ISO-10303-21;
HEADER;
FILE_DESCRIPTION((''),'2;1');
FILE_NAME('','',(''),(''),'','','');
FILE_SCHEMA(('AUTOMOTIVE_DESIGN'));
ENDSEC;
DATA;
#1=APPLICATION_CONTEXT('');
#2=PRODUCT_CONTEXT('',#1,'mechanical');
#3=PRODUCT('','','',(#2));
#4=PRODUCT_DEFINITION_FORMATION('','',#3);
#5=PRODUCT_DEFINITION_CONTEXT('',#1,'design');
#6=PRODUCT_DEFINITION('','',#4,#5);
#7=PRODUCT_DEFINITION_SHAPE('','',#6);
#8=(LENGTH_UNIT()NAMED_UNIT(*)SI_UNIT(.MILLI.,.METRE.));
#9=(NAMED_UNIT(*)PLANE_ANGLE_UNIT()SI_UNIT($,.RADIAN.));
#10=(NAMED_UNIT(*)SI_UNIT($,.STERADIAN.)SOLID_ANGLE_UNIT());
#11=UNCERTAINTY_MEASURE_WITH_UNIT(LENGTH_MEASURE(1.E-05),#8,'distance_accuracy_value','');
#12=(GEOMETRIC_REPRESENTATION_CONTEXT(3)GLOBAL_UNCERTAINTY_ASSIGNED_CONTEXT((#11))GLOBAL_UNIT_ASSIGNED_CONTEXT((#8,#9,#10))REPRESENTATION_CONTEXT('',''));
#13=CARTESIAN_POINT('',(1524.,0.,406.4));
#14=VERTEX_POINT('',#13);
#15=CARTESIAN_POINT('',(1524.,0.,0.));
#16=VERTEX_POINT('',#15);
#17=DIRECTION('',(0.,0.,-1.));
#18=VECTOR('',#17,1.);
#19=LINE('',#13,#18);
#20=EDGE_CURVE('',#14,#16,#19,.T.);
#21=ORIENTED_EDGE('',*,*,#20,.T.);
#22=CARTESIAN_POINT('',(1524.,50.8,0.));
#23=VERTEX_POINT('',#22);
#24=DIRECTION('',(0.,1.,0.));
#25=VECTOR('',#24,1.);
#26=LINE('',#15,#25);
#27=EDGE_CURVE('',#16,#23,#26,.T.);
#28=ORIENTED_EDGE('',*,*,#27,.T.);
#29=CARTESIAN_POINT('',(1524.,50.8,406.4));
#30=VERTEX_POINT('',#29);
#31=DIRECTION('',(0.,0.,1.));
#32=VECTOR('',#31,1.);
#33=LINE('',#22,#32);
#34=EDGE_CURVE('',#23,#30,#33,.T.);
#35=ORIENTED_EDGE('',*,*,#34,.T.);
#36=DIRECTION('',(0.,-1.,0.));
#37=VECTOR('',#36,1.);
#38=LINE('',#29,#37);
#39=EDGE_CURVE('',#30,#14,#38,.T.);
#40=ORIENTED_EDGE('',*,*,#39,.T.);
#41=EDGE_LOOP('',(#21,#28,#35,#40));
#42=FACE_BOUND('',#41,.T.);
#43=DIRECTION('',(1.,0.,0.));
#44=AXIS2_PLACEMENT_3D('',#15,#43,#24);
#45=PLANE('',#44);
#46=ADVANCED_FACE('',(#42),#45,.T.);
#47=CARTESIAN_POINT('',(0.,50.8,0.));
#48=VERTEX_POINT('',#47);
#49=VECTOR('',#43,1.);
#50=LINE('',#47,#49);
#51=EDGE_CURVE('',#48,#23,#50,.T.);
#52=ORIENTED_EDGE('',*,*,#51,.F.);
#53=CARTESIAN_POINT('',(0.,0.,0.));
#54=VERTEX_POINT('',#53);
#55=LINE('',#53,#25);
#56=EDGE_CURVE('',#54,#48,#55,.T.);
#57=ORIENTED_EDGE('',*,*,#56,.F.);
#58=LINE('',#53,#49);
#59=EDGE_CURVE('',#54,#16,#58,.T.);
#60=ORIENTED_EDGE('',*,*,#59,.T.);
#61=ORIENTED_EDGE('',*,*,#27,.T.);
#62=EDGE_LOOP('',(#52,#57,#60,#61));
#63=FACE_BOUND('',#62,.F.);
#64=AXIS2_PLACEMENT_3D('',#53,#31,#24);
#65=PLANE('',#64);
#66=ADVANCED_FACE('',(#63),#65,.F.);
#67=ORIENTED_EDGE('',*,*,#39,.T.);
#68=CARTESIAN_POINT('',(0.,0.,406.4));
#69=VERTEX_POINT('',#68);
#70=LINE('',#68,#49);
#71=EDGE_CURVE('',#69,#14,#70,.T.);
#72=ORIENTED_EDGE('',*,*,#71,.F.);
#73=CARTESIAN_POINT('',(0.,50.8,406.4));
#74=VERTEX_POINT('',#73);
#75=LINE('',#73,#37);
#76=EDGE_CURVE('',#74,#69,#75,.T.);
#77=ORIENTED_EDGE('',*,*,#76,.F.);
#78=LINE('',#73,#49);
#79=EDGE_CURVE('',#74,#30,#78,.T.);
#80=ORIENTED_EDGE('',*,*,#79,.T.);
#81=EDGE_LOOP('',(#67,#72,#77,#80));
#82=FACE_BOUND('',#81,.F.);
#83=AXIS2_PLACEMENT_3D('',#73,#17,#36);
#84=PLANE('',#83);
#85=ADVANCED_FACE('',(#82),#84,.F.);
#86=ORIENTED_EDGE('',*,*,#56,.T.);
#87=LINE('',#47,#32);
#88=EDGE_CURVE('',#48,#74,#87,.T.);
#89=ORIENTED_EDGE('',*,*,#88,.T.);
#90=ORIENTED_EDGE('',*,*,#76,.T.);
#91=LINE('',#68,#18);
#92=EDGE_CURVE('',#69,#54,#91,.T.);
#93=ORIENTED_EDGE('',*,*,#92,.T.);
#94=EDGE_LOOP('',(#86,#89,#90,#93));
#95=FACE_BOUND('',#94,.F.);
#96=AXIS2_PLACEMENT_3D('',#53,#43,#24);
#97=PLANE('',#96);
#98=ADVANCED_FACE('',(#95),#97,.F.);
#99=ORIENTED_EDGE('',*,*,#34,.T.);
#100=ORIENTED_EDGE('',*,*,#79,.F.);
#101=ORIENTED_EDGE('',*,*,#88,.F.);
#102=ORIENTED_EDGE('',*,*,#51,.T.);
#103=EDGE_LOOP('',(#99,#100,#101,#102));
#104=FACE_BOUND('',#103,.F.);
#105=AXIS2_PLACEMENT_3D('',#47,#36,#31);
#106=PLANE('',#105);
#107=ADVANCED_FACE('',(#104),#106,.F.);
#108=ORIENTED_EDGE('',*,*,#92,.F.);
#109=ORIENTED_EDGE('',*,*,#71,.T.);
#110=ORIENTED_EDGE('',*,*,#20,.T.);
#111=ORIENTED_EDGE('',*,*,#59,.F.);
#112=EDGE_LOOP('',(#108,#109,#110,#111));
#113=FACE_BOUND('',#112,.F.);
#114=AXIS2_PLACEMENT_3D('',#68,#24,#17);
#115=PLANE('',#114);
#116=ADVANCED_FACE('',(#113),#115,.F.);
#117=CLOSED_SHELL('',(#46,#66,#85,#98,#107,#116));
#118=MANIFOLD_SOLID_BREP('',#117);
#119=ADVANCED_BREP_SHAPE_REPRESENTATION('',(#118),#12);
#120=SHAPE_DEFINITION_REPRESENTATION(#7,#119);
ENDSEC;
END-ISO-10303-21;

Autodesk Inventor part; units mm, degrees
ref_plane "YZ Plane" through (0, 0, 0) normal (1, 0, 0) x (0, 1, 0)
ref_plane "XZ Plane" through (0, 0, 0) normal (0, 1, 0) x (-1, 0, 0)
ref_plane "XY Plane" through (0, 0, 0) normal (0, 0, 1) x (1, 0, 0)
sketch "Sketch1" plane through (0, 0, 0) normal (1, 0, 0) x (0, 1, 0)
  line L0 (0, 0) -> (50.8, 0)
  line L1 (50.8, 0) -> (50.8, 406.4)
  line L2 (50.8, 406.4) -> (0, 406.4)
  line L3 (0, 406.4) -> (0, 0)
  dimension "d0" = 50.8
  dimension "d1" = 406.4
extrude "Extrusion1" add sketch "Sketch1" along normal blind 1524
properties part number "2x16x60-6" material "Granite, Cut, Polished"
